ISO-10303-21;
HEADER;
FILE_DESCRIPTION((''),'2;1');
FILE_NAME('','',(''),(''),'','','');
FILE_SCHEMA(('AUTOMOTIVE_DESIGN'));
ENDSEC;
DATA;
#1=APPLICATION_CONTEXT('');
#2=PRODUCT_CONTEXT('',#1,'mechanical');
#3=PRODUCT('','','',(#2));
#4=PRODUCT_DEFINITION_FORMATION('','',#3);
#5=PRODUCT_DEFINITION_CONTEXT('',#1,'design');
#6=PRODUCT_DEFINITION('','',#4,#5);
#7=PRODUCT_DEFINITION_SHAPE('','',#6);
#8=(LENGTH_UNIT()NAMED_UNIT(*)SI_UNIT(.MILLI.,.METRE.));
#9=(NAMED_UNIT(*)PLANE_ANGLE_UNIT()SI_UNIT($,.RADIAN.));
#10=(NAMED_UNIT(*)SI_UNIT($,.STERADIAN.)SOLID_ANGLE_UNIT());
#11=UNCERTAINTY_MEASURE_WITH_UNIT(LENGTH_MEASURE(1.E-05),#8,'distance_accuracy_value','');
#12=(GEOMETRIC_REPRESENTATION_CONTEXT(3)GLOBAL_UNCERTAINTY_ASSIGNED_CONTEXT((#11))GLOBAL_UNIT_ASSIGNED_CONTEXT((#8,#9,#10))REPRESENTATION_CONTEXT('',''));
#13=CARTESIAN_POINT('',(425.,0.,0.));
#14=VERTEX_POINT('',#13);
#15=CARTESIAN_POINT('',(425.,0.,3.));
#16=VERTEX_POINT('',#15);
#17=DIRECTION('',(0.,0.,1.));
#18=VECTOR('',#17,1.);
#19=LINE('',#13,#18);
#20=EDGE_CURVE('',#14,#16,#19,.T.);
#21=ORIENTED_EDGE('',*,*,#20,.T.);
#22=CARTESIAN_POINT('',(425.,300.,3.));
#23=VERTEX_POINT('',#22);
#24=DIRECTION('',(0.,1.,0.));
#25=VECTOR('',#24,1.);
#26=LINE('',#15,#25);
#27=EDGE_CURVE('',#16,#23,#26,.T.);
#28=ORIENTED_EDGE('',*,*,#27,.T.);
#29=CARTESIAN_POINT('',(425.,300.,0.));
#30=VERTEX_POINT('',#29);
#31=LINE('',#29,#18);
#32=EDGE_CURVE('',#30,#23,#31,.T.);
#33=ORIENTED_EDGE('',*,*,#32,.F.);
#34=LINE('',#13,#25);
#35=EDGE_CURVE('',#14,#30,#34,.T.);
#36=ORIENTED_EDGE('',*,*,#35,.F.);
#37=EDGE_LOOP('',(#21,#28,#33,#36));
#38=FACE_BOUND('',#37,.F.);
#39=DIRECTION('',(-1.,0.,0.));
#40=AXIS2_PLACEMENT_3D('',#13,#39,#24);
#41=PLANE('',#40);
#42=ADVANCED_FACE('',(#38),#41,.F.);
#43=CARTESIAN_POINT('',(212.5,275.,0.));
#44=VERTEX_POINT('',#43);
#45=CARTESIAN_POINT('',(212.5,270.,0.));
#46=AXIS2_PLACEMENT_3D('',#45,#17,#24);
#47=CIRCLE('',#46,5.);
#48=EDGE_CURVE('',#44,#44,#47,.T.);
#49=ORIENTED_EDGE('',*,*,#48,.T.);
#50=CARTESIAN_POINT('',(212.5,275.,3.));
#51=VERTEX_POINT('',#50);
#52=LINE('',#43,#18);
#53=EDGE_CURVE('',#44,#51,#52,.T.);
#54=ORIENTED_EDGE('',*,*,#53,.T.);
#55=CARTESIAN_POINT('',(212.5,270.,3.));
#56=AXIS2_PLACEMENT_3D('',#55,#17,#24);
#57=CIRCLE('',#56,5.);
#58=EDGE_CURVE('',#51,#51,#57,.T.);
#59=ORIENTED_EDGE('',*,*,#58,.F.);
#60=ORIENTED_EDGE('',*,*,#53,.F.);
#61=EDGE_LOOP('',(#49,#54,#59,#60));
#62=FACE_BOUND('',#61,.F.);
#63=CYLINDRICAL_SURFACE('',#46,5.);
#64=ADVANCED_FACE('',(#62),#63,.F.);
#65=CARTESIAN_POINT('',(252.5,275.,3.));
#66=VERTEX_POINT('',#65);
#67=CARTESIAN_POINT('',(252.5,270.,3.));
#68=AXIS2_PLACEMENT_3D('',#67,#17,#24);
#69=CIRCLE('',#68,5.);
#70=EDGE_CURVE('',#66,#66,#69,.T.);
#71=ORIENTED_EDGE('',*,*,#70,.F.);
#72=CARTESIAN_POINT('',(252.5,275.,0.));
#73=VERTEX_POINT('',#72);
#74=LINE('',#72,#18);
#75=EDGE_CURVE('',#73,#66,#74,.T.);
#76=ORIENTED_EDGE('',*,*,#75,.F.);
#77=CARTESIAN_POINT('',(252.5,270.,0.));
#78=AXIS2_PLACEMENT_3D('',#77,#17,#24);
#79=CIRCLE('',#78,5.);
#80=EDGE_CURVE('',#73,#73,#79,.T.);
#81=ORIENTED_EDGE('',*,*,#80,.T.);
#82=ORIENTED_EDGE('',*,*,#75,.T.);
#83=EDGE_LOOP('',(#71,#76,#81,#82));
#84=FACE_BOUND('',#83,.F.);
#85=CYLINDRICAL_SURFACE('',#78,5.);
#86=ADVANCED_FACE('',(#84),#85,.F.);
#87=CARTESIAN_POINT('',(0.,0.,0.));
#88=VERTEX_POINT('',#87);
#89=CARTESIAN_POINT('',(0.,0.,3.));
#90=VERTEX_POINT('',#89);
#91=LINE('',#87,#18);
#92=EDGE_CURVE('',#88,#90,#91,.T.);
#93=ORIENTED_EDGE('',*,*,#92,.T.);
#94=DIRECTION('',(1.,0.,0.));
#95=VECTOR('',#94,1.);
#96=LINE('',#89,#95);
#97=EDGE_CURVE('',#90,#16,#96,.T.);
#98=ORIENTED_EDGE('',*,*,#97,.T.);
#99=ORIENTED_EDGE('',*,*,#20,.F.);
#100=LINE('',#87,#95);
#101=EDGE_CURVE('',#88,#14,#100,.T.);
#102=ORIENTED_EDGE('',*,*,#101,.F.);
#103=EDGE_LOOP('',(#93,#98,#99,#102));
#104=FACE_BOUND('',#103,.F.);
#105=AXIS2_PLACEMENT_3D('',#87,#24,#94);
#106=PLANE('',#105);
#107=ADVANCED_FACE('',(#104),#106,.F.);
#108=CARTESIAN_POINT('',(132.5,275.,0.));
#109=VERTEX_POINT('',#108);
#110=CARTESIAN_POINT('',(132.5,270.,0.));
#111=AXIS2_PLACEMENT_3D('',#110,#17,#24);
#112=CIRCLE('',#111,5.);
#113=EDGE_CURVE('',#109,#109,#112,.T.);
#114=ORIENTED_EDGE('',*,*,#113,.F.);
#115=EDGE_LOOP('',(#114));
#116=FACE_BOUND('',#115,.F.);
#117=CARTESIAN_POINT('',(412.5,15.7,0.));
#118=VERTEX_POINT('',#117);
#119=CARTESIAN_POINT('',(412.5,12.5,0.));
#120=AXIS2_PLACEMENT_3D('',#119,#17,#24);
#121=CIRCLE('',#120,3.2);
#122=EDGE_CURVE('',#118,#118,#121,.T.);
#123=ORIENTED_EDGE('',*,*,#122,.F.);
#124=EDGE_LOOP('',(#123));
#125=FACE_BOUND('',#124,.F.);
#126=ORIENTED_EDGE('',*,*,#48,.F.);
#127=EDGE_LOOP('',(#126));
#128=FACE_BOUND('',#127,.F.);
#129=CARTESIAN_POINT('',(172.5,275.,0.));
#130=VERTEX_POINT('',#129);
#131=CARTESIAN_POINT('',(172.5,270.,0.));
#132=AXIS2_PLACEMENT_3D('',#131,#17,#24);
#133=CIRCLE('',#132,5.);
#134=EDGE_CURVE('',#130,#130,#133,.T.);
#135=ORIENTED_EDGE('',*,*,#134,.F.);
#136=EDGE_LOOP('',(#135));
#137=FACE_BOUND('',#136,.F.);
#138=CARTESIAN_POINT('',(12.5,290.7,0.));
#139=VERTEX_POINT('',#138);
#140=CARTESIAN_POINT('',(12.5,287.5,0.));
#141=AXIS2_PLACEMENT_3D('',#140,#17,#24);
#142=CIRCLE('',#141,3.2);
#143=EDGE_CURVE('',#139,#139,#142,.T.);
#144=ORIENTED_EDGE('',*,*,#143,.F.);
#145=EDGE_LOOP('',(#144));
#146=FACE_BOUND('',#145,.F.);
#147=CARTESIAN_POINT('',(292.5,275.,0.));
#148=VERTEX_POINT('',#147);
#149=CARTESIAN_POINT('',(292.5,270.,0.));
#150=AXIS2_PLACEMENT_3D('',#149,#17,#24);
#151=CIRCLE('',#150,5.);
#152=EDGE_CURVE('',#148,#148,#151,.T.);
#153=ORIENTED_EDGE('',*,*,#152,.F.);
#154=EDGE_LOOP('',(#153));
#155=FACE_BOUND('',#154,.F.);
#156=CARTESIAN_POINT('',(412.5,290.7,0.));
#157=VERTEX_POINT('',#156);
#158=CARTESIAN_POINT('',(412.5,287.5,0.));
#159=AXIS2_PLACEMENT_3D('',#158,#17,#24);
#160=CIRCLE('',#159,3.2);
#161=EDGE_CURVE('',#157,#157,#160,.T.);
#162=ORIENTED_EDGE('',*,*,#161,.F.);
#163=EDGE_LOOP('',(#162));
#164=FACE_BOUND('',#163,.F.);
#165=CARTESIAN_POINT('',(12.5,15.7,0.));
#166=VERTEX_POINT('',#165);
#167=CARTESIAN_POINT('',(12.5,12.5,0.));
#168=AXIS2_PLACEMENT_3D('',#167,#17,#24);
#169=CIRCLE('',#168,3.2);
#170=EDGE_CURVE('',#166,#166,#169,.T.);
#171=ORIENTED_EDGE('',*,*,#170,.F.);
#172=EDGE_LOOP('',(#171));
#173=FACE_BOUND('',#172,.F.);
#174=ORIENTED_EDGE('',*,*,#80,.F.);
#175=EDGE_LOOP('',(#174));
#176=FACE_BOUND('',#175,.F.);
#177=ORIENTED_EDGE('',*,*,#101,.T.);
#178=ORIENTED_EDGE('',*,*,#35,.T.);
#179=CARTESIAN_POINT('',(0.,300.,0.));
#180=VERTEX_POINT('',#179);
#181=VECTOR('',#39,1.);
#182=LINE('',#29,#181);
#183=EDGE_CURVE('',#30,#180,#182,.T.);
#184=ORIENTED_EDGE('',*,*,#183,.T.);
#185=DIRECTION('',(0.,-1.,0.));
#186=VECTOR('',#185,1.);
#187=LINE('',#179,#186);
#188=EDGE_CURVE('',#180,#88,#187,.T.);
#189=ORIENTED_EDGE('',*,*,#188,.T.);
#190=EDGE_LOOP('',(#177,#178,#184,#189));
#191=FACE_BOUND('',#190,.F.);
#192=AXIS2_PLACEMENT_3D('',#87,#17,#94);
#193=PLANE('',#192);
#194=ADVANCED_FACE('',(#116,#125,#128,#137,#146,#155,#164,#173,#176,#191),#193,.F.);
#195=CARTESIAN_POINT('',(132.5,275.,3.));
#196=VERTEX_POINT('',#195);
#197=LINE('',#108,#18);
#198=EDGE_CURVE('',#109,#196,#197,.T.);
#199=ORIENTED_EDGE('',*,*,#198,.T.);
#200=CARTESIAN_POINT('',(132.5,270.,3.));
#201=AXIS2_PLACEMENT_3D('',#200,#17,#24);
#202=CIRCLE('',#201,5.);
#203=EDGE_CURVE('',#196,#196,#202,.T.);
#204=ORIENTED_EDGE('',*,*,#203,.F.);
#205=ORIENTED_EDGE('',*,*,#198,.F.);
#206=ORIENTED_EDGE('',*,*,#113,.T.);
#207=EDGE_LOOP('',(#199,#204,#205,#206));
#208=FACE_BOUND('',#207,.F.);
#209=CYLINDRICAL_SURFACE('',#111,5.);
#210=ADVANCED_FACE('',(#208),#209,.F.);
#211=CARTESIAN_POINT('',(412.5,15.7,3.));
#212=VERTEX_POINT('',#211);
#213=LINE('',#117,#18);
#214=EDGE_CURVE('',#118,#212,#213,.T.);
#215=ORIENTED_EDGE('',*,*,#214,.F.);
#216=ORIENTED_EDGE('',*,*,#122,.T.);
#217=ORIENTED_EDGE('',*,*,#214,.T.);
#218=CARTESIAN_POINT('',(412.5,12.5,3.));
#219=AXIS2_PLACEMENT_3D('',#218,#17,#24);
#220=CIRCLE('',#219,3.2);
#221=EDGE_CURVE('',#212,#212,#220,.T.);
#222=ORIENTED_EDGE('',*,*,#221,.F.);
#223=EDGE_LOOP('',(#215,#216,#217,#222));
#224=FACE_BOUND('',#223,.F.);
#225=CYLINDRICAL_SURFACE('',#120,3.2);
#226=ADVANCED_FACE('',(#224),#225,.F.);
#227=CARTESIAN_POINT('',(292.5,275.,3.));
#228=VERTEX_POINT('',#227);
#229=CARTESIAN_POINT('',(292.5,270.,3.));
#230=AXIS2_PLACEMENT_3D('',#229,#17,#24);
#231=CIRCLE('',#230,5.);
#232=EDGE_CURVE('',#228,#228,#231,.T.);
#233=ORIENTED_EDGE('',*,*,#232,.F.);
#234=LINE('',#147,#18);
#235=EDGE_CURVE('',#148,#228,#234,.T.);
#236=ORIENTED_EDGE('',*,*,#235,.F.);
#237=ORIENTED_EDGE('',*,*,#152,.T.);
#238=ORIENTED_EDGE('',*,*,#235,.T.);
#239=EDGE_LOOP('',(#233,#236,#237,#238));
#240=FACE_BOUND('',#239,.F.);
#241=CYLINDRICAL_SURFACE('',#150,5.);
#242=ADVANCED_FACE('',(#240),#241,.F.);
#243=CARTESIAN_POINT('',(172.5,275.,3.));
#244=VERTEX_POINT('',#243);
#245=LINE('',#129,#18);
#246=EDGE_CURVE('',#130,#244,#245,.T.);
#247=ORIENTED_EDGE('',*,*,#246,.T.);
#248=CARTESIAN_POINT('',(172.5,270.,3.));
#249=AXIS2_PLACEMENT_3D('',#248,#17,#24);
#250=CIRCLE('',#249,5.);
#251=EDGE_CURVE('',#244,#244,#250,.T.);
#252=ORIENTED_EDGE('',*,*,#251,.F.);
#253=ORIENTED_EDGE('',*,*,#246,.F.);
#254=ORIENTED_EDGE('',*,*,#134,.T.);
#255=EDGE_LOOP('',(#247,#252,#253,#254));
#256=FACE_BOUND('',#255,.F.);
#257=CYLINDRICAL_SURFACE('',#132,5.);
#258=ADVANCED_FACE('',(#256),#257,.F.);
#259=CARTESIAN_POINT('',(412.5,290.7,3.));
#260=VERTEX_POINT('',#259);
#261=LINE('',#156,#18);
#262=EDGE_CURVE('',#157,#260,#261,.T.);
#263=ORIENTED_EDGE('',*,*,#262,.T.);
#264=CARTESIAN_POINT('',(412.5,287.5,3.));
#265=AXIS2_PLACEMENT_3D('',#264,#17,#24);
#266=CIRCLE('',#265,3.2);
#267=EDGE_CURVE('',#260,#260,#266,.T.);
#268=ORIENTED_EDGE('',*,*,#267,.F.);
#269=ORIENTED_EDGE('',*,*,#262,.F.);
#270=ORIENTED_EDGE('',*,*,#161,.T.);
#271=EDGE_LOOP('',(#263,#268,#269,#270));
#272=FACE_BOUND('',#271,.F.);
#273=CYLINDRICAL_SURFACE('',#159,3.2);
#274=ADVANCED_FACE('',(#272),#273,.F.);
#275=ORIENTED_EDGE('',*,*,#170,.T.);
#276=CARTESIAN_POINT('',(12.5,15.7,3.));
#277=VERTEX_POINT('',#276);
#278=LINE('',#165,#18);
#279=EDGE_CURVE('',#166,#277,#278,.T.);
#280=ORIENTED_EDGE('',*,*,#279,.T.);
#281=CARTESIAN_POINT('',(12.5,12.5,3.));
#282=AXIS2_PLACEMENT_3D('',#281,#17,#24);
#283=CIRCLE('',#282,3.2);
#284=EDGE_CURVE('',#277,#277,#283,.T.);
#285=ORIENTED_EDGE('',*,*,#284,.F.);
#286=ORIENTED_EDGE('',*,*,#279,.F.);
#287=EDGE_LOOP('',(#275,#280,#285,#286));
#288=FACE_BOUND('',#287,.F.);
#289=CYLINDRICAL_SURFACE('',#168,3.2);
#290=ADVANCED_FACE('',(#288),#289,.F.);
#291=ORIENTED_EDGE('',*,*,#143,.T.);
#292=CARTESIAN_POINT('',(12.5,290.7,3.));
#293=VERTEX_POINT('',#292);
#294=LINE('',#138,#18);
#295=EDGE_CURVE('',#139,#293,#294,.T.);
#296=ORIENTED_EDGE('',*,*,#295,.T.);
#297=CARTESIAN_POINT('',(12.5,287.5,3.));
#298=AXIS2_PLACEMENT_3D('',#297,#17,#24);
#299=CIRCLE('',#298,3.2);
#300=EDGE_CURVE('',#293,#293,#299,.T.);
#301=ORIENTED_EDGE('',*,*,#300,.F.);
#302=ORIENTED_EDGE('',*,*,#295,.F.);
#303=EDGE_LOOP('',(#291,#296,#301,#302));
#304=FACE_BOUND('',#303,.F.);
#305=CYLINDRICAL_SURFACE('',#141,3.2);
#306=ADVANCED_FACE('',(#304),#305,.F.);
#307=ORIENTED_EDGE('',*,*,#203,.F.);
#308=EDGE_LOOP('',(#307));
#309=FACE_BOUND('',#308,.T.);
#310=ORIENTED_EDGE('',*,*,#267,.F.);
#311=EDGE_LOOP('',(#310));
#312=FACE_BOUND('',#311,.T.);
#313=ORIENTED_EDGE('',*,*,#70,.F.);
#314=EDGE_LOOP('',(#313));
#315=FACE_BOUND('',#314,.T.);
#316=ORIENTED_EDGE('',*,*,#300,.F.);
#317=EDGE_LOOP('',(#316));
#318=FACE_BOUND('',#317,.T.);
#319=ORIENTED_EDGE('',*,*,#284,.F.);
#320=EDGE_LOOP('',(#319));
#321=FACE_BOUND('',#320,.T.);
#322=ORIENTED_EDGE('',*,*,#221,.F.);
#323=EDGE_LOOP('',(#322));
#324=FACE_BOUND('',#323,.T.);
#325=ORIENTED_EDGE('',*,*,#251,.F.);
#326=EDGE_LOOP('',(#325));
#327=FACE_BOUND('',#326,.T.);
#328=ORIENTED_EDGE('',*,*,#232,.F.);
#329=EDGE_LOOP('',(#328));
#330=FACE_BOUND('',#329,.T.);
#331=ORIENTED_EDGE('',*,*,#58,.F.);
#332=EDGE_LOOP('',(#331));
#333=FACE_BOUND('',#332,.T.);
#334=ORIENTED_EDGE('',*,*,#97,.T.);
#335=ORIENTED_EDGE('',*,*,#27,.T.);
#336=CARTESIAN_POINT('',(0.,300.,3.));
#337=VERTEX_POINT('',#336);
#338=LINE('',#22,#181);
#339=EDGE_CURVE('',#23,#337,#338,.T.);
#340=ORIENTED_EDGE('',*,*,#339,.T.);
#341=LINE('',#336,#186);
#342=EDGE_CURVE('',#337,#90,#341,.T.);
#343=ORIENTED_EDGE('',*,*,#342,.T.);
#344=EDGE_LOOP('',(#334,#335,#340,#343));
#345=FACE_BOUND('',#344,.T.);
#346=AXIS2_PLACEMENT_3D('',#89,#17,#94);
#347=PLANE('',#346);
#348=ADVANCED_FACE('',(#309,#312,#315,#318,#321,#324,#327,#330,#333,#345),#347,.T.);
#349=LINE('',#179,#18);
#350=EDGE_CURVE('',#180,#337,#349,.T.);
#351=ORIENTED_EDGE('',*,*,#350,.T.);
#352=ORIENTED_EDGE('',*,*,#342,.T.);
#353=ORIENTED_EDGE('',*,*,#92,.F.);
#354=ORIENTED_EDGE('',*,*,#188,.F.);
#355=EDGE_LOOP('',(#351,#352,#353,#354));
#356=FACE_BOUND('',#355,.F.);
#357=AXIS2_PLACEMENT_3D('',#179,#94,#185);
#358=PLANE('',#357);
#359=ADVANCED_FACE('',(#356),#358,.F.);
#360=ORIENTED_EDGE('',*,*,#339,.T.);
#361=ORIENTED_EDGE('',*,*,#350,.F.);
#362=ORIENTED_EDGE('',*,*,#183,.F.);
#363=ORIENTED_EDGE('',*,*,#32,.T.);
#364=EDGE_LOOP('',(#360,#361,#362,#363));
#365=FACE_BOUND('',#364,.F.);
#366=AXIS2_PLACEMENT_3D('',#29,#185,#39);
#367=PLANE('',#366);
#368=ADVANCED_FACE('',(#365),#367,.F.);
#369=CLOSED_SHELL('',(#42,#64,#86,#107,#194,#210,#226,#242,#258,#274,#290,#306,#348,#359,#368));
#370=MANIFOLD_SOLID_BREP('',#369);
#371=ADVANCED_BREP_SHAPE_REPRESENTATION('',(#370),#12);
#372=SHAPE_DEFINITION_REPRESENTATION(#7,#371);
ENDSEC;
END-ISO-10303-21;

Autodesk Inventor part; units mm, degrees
ref_plane "YZ Plane" through (0, 0, 0) normal (1, 0, 0) x (0, 1, 0)
ref_plane "XZ Plane" through (0, 0, 0) normal (0, 1, 0) x (-1, 0, 0)
ref_plane "XY Plane" through (0, 0, 0) normal (0, 0, 1) x (1, 0, 0)
sketch "Sketch1" plane through (0, 0, 0) normal (0, 0, 1) x (1, 0, 0)
  line L0 (0, 0) -> (425, 0)
  line L1 (425, 0) -> (425, 300)
  line L2 (425, 300) -> (0, 300)
  line L3 (0, 300) -> (0, 0)
  line L4 (12.5, 287.5) -> (12.5, 12.5) construction
  line L5 (412.5, 287.5) -> (412.5, 12.5) construction
  point P0 (132.5, 270)
  point P1 (172.5, 270)
  point P2 (212.5, 270)
  point P3 (252.5, 270)
  point P4 (292.5, 270)
  point P5 (212.5, 300)
  dimension "d0" = 425
  dimension "d1" = 300
  dimension "d2" = 400
  dimension "d3" = 12.5
  dimension "d4" = 12.5
  dimension "d5" = 12.5
  dimension "d6" = 12.5
  dimension "d7" = 12.5
  dimension "d19" = 40
  dimension "d24" = 212.5
  dimension "d32" = 30
extrude "Extrusion1" add sketch "Sketch1" along normal blind 3
hole "Hole1" at (12.5, 287.5, 0) at (412.5, 287.5, 0) at (12.5, 12.5, 0) at (412.5, 12.5, 0) direction (0, 0, 1) diameter 6.4 end through all
hole "Hole2" at (132.5, 270, 0) at (172.5, 270, 0) at (212.5, 270, 0) at (252.5, 270, 0) at (292.5, 270, 0) direction (0, 0, 1) diameter 10 end through all
properties part number "back_wall"
